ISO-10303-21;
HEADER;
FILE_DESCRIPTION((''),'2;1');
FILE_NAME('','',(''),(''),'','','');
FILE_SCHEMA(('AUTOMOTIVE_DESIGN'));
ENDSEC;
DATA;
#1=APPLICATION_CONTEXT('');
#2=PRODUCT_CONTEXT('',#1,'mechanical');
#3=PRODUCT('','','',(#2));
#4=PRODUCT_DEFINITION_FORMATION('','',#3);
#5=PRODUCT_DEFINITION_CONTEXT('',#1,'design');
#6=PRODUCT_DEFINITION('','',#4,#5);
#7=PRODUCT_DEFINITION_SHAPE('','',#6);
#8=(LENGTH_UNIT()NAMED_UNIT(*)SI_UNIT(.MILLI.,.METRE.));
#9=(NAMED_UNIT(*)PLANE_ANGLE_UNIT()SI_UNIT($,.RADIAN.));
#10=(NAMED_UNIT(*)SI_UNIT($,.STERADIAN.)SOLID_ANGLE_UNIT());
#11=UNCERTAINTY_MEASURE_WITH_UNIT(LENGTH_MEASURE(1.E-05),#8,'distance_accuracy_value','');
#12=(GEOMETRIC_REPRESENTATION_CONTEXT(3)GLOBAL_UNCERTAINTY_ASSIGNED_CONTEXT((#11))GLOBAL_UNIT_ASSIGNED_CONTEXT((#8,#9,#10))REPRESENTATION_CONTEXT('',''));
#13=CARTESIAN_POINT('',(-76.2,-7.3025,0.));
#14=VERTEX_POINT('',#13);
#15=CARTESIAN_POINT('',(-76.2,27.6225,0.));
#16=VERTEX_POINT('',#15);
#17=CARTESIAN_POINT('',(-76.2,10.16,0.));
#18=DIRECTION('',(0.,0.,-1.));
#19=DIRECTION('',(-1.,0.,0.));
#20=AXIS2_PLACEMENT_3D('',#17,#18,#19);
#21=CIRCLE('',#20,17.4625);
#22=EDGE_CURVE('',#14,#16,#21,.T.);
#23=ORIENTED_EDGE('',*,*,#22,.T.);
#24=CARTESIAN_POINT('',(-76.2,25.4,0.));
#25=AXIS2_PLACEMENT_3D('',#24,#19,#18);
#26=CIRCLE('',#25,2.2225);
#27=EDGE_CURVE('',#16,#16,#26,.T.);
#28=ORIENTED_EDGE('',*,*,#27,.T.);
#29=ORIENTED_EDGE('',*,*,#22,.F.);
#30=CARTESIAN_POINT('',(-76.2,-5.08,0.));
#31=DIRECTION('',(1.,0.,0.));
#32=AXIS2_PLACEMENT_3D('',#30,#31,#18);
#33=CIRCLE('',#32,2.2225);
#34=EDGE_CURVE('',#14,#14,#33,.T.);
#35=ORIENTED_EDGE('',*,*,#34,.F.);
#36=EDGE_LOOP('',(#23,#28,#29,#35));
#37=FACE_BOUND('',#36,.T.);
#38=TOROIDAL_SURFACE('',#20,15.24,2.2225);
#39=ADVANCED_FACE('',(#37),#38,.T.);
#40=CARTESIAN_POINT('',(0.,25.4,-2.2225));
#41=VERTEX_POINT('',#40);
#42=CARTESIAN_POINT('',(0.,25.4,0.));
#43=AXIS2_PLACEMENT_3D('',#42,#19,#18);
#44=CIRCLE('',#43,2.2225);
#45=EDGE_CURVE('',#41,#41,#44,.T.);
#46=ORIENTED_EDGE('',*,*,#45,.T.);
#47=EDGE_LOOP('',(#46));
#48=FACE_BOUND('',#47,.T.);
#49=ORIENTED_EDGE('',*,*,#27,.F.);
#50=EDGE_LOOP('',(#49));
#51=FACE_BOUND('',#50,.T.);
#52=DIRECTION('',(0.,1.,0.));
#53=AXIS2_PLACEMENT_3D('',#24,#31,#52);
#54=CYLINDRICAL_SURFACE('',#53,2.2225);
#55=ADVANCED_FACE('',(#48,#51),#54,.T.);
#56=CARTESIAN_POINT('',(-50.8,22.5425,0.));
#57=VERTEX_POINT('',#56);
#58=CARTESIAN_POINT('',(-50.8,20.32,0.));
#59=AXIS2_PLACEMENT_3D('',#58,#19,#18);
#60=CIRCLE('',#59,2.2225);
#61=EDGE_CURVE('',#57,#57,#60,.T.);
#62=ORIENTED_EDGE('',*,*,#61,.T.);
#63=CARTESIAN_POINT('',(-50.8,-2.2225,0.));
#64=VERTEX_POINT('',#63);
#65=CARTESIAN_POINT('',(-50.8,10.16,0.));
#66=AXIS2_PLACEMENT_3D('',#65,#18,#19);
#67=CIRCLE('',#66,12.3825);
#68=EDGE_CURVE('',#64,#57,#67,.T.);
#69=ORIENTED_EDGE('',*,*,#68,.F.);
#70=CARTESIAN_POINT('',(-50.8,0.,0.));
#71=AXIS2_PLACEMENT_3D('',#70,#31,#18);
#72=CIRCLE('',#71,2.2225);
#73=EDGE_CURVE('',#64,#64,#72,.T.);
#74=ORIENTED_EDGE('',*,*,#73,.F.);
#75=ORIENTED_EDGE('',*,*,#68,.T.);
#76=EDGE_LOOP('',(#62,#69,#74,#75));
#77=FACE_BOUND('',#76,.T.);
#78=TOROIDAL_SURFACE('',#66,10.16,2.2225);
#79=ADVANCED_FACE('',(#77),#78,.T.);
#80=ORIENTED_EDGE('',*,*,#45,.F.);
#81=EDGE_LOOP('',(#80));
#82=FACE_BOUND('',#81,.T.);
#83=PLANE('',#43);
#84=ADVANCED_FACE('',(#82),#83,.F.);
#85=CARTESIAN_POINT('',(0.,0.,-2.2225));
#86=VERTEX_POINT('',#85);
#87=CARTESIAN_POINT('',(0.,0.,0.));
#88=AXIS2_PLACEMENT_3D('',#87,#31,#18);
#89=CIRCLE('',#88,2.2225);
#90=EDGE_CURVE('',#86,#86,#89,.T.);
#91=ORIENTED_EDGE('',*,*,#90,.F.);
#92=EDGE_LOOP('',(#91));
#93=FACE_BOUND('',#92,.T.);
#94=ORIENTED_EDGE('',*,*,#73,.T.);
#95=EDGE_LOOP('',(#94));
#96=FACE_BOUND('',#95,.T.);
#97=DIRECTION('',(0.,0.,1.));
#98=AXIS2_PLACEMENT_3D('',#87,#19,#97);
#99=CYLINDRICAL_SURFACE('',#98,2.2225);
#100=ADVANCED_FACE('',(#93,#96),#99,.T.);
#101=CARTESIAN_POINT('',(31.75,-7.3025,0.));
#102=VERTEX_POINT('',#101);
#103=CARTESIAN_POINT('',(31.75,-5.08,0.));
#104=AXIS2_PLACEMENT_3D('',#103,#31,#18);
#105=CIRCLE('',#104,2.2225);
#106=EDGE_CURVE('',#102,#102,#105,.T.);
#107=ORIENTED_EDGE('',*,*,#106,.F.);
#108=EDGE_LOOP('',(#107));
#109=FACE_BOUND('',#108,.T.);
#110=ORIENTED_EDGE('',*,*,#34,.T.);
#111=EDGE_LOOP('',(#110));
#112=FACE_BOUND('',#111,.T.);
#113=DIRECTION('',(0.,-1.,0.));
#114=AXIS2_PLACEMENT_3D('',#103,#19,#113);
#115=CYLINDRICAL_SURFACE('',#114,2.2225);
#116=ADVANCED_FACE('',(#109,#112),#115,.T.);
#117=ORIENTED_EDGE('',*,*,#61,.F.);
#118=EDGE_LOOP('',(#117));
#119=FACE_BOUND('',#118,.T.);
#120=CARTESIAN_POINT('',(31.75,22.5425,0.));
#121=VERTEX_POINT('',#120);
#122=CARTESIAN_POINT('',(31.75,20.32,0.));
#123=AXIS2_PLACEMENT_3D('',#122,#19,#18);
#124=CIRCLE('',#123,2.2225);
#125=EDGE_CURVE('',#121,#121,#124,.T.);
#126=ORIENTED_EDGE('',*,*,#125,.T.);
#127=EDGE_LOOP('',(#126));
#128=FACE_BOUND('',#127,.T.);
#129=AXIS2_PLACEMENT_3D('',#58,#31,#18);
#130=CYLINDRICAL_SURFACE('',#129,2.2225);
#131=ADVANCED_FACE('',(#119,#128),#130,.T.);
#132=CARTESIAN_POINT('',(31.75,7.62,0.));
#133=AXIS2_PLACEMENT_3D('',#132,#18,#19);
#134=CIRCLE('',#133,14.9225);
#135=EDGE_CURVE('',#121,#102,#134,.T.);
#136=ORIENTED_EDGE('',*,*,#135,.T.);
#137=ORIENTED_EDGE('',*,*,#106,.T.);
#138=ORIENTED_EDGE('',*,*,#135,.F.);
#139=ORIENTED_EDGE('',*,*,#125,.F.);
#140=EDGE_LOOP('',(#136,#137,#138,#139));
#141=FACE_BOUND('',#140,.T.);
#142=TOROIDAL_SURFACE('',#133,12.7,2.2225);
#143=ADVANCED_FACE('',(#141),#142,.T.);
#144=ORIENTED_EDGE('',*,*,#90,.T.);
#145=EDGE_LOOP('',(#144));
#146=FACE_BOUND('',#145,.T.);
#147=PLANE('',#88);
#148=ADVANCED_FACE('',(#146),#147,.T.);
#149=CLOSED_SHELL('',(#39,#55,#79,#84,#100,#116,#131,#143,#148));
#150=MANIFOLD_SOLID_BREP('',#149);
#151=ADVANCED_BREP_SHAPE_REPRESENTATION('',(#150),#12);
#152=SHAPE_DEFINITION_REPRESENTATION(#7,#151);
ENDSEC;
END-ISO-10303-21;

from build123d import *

# Parameters (mm, degrees)
SKETCH2_R = 2.2225


with BuildPart() as part:
    # Sweep1: sweep along a path in Sketch1
    with BuildLine(Plane.XY) as sweep1_path:
        Line((0, 0), (-50.8, 0))
        ThreePointArc((-50.8, 0), (-60.96, 10.16), (-50.8, 20.32))
        Line((-50.8, 20.32), (31.75, 20.32))
        ThreePointArc((31.75, 20.32), (44.45, 7.62), (31.75, -5.08))
        Line((31.75, -5.08), (-76.2, -5.08))
        ThreePointArc((-76.2, -5.08), (-91.44, 10.16), (-76.2, 25.4))
        Line((-76.2, 25.4), (0, 25.4))
    # Sketch2 → Sweep1 (sweep)
    with BuildSketch(Plane(origin=(0, 0, 0), x_dir=(0, 0, -1), z_dir=(1, 0, 0))):
        Circle(SKETCH2_R)
    sweep(path=sweep1_path.line)


solid = part.part
